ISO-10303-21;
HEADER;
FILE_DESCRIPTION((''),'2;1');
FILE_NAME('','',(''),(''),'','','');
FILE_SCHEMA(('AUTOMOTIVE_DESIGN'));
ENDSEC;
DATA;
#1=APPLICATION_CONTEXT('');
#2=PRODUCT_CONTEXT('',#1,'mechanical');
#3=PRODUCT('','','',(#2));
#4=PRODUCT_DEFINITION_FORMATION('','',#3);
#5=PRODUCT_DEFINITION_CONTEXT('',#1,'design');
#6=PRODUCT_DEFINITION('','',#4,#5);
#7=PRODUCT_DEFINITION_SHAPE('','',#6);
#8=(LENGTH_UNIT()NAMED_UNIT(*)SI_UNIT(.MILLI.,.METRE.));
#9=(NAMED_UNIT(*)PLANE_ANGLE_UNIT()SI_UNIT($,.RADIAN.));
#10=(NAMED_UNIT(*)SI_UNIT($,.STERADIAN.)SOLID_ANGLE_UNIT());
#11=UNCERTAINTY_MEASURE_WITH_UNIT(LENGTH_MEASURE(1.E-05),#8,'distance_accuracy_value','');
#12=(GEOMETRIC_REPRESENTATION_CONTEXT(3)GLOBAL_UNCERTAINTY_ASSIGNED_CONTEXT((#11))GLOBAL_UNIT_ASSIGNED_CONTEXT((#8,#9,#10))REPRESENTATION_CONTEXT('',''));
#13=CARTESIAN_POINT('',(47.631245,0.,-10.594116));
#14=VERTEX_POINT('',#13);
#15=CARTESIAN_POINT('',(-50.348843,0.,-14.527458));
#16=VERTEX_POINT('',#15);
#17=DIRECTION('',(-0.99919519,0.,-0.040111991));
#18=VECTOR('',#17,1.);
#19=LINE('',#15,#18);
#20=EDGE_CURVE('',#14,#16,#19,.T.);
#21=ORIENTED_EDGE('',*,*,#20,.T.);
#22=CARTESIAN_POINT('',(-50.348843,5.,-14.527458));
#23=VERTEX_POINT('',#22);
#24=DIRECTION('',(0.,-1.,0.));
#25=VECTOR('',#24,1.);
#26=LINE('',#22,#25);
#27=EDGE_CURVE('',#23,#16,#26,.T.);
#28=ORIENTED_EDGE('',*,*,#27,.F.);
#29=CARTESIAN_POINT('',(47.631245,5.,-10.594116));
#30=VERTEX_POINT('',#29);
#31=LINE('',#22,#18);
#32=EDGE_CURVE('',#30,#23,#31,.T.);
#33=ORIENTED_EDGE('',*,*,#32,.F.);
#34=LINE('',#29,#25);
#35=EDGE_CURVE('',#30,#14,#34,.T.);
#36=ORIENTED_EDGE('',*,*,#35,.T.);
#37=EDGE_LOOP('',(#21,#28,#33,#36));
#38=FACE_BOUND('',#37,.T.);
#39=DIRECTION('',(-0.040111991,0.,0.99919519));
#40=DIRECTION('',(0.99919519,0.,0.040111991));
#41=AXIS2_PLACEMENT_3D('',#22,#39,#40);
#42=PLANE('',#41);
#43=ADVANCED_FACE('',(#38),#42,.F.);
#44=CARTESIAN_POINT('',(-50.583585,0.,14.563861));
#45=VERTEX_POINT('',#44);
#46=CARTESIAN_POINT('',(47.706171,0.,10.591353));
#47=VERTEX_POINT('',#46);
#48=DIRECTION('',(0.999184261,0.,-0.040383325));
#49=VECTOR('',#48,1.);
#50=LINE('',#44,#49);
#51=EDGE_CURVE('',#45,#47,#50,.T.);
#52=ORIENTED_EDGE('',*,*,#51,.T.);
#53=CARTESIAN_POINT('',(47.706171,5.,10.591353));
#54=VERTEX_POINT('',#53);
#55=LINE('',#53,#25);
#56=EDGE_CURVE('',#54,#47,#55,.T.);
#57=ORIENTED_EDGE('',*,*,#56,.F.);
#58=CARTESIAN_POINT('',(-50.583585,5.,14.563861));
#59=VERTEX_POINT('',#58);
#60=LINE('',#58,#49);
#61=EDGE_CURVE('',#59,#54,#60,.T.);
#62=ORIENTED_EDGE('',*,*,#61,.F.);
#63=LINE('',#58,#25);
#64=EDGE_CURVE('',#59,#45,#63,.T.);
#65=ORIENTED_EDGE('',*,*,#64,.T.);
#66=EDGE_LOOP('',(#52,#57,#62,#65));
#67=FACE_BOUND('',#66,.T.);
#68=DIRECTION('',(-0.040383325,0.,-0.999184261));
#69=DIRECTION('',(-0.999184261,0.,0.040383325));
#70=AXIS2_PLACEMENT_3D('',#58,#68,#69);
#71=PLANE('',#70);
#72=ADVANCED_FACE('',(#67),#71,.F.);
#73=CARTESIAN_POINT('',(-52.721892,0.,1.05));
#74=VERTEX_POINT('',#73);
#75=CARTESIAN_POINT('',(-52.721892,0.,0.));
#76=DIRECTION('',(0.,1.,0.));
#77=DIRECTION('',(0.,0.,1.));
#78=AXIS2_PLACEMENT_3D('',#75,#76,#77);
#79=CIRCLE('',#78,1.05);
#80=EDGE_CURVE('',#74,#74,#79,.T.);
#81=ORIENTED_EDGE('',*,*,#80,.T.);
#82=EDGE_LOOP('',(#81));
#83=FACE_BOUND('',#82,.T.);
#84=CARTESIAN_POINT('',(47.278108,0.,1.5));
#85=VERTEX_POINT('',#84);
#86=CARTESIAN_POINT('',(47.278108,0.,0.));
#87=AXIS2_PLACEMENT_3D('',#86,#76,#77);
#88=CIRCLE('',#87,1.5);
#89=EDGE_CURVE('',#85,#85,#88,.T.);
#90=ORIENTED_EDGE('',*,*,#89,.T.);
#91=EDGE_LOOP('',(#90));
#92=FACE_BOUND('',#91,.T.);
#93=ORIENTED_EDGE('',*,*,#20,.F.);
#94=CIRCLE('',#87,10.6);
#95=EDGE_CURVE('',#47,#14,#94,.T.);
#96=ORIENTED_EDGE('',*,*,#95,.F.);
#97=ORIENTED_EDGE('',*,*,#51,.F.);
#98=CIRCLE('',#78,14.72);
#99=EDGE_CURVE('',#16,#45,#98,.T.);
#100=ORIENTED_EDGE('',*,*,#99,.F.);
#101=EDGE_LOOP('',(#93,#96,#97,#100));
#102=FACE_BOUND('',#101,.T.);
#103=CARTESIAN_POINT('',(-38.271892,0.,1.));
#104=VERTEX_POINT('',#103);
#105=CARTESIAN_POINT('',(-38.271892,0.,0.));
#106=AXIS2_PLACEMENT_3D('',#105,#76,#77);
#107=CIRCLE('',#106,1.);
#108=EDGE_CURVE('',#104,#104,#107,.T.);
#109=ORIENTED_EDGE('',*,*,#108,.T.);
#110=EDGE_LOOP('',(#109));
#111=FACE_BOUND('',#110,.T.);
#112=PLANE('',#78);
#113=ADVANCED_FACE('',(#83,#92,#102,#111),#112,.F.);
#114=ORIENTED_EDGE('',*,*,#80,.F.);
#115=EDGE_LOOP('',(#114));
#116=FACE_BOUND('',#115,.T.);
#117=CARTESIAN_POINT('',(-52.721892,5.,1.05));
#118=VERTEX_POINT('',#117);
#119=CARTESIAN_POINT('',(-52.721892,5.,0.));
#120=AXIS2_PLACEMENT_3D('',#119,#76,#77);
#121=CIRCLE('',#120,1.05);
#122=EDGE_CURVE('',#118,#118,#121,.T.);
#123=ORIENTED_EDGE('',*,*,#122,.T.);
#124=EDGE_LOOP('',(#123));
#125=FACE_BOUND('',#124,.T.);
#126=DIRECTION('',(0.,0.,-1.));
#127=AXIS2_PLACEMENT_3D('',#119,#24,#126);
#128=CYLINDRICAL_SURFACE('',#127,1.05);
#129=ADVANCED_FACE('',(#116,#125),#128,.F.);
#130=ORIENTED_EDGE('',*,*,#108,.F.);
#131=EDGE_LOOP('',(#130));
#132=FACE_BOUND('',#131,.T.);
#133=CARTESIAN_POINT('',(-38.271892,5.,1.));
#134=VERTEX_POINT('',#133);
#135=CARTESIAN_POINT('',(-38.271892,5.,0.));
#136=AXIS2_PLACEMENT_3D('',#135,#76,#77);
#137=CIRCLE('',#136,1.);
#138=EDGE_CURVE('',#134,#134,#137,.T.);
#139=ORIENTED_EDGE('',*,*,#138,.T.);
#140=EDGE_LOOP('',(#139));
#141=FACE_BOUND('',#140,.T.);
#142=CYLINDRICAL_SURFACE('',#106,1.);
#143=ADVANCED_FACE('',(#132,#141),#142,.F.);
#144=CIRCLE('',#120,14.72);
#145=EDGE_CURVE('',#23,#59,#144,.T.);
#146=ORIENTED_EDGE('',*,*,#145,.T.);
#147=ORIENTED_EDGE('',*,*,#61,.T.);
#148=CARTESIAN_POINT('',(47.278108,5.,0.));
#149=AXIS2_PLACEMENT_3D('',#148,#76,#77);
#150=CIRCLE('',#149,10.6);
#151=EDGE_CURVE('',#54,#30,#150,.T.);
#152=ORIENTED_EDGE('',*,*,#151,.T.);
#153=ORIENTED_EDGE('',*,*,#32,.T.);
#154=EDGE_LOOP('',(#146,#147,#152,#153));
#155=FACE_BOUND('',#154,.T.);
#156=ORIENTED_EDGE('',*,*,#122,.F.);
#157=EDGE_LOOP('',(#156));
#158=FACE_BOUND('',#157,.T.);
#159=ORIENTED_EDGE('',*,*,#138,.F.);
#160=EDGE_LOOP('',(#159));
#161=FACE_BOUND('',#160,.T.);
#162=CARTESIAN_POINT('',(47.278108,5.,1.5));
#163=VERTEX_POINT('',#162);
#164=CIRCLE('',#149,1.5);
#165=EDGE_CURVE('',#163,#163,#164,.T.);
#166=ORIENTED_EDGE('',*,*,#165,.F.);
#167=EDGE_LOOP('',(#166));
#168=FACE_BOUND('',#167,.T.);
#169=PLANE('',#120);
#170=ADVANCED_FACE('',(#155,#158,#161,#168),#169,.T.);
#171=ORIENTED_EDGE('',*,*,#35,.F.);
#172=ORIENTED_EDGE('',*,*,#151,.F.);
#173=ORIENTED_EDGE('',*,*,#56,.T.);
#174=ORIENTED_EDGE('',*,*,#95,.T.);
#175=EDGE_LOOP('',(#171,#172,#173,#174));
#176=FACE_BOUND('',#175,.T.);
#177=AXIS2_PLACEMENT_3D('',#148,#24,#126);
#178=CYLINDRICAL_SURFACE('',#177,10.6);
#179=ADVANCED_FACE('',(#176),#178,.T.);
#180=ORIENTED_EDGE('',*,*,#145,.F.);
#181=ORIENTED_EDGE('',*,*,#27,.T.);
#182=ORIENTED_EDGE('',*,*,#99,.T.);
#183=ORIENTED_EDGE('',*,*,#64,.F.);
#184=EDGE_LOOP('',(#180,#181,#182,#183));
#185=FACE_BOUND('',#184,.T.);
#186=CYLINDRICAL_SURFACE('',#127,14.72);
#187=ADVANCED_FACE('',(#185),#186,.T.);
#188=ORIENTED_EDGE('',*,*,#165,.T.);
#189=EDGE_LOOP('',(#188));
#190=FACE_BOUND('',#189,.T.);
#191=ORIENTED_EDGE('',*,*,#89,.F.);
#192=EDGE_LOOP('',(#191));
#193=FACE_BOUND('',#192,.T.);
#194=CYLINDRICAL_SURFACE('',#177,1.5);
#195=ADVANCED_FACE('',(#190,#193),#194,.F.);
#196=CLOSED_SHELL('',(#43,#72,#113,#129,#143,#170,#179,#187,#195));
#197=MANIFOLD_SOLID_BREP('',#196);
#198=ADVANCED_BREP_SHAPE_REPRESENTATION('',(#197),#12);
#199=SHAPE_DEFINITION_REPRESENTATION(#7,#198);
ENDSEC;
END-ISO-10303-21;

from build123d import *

# Parameters (mm, degrees)
SKETCH1_R               = 1.05
SKETCH1_R_2             = 1.5
BOSS_EXTRUDE1_DEPTH     = 5
SKETCH2_R               = 1
CUT_EXTRUDE1_DEPTH      = 1
CUT_EXTRUDE1_DEPTH_BACK = 6


with BuildPart() as part:
    # Sketch1 → Boss-Extrude1 (new body)
    with BuildSketch(Plane(origin=(0, 0, 0), x_dir=(1, 0, 0), z_dir=(0, 1, 0))):
        with BuildLine():
            Line((-50.348842759, 14.527458054), (47.631245247, 10.594116014))
            ThreePointArc((47.631245247, 10.594116014), (57.878041754, 0.037488485), (47.706171294, -10.591353165))
            Line((47.706171294, -10.591353165), (-50.583585242, -14.563860903))
            ThreePointArc((-50.583585242, -14.563860903), (-67.441412758, 0.118774156), (-50.348842759, 14.527458054))
        make_face()
        with Locations((-52.721891954, 0)):
            Circle(SKETCH1_R, mode=Mode.SUBTRACT)
        with Locations((47.278108046, 0)):
            Circle(SKETCH1_R_2, mode=Mode.SUBTRACT)
    extrude(amount=BOSS_EXTRUDE1_DEPTH)

    # Sketch2 → Cut-Extrude1 (cut, two sides)
    with BuildSketch(Plane(origin=(0, 5, 0), x_dir=(1, 0, 0), z_dir=(0, 1, 0))) as cut_extrude1_sk:
        with Locations((-38.271891954, 0)):
            Circle(SKETCH2_R)
    extrude(amount=CUT_EXTRUDE1_DEPTH, mode=Mode.SUBTRACT)
    extrude(cut_extrude1_sk.sketch, amount=-CUT_EXTRUDE1_DEPTH_BACK, mode=Mode.SUBTRACT)


solid = part.part
